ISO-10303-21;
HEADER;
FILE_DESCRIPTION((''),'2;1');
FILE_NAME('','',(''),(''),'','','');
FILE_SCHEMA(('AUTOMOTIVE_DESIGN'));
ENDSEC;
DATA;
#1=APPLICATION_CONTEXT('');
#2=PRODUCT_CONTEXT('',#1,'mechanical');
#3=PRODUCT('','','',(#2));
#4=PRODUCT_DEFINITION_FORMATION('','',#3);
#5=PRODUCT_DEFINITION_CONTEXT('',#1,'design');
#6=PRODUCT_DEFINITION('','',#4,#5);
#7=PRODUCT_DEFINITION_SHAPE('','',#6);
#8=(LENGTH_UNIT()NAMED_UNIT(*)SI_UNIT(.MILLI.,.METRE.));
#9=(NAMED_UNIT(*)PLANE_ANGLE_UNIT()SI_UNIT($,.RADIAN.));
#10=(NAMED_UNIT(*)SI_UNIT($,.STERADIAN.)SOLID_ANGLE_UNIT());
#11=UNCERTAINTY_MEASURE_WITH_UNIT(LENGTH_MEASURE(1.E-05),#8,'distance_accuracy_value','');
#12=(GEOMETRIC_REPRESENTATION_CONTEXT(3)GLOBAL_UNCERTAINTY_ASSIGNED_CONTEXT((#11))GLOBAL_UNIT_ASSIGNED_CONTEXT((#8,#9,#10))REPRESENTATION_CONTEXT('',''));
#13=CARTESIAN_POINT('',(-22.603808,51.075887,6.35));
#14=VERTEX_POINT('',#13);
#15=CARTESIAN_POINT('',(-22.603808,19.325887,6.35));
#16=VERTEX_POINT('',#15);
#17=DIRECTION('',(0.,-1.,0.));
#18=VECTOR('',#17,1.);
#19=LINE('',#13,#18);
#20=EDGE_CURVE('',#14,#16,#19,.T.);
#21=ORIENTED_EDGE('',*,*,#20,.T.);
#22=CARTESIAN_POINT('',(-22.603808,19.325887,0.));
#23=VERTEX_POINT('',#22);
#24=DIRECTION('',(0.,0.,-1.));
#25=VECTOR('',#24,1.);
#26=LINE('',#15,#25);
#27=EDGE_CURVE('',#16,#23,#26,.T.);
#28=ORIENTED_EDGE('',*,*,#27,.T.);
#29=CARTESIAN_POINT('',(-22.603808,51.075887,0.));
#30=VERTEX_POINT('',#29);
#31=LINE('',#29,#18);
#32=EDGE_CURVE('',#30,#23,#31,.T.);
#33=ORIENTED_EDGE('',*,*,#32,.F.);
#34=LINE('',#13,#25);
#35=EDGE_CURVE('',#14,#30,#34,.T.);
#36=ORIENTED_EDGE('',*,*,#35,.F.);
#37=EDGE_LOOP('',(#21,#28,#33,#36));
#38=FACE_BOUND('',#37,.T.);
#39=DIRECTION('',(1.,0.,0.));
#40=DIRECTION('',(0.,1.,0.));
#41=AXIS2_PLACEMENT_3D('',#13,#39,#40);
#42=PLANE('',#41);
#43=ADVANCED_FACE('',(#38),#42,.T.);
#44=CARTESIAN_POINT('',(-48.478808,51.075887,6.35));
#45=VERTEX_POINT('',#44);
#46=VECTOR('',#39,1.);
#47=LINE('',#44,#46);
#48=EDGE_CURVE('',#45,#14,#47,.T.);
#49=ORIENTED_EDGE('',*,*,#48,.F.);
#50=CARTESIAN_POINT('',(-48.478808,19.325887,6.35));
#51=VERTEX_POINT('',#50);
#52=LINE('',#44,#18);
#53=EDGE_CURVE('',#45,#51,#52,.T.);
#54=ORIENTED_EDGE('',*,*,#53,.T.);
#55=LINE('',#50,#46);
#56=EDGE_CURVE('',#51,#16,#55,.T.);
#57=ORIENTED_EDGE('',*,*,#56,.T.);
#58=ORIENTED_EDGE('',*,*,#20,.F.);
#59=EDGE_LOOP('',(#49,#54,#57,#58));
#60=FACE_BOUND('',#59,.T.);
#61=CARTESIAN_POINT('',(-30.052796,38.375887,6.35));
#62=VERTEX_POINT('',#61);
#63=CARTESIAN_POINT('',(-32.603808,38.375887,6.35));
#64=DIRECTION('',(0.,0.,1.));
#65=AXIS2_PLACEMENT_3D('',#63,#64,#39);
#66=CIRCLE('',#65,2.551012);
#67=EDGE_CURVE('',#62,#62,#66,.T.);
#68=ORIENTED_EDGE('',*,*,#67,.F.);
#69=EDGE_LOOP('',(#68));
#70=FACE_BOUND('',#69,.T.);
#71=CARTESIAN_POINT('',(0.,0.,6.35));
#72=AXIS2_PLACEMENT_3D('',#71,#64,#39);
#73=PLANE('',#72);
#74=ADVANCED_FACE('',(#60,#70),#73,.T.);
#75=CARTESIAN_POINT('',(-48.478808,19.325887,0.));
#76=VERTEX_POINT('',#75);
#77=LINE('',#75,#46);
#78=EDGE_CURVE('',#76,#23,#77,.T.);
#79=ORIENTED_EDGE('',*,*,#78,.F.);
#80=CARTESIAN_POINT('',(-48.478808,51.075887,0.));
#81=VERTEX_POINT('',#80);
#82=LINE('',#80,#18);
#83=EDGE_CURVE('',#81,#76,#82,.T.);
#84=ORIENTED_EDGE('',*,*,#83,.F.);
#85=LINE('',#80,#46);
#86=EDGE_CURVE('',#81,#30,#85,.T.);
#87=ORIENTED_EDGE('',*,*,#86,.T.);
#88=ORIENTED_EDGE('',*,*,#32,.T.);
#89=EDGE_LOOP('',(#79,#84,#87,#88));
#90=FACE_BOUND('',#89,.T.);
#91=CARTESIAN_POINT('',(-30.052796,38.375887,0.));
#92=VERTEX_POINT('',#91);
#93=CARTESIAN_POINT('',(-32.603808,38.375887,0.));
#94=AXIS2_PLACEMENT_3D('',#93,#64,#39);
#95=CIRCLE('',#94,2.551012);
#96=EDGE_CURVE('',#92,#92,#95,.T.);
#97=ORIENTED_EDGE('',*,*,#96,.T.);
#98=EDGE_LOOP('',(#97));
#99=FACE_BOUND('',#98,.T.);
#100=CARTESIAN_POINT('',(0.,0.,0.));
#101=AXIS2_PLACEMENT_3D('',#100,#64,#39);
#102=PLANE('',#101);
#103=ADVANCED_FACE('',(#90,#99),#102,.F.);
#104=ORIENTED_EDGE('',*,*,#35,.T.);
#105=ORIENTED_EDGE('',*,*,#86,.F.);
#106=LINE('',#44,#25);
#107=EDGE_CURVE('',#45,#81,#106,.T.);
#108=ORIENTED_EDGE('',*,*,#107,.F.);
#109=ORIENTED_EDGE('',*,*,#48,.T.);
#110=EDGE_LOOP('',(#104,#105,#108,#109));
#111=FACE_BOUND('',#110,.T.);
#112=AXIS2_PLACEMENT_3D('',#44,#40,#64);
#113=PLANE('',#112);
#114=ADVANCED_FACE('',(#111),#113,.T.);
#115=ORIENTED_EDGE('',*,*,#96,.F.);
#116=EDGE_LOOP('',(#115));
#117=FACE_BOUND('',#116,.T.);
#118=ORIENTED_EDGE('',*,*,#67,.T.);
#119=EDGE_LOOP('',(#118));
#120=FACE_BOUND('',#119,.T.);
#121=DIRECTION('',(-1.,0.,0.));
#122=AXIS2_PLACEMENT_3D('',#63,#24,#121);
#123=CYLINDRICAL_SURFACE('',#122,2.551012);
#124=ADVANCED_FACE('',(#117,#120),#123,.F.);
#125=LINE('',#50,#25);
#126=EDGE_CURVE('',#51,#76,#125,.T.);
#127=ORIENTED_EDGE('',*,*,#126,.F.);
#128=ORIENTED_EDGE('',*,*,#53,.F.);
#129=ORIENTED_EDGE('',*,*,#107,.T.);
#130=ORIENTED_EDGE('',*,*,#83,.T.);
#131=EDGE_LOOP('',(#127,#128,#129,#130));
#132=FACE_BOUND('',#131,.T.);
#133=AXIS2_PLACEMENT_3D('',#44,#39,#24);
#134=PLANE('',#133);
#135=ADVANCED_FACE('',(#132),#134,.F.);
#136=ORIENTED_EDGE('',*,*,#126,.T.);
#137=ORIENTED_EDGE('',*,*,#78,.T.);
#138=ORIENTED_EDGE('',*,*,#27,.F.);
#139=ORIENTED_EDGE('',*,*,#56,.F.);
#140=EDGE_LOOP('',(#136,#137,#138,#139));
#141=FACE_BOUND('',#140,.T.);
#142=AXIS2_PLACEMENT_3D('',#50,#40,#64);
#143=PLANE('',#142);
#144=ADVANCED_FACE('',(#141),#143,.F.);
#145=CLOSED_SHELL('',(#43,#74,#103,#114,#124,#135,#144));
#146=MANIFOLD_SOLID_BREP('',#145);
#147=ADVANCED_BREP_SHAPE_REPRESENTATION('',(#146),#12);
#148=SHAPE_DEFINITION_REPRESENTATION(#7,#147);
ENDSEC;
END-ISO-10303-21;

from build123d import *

# Parameters (mm, degrees)
SKETCH1_W             = 25.875
SKETCH1_H             = 31.75
BOSS_EXTRUDE1_DEPTH   = 6.35
SKETCH1_4_OUTSIDE_W   = 36.165
SKETCH1_4_OUTSIDE_H   = 42.04
SKETCH1_4_OUTSIDE_W_2 = 25.875
SKETCH1_4_OUTSIDE_H_2 = 31.75
SKETCH1_4_OUTSIDE_R   = 2.551011908
CUT_EXTRUDE3_DEPTH    = 71.705469941


with BuildPart() as part:
    # Sketch1 → Boss-Extrude1 (new body)
    with BuildSketch(Plane.XY):
        with Locations((-35.541307617, 35.200886597)):
            Rectangle(SKETCH1_W, SKETCH1_H)
    extrude(amount=BOSS_EXTRUDE1_DEPTH)

    # Sketch1<4> outside → Cut-Extrude3 (cut, through all)
    # profile 1 of 2: a face of its own
    with BuildSketch(Plane.XY):
        with Locations((-35.5415, 35.201)):
            Rectangle(SKETCH1_4_OUTSIDE_W, SKETCH1_4_OUTSIDE_H)
        with Locations((-35.541307617, 35.200886597)):
            Rectangle(SKETCH1_4_OUTSIDE_W_2, SKETCH1_4_OUTSIDE_H_2, mode=Mode.SUBTRACT)
    # profile 2 of 2: a face of its own
    with BuildSketch(Plane.XY):
        with Locations((-32.603807617, 38.375886597)):
            Circle(SKETCH1_4_OUTSIDE_R)
    extrude(amount=CUT_EXTRUDE3_DEPTH, mode=Mode.SUBTRACT)


solid = part.part
